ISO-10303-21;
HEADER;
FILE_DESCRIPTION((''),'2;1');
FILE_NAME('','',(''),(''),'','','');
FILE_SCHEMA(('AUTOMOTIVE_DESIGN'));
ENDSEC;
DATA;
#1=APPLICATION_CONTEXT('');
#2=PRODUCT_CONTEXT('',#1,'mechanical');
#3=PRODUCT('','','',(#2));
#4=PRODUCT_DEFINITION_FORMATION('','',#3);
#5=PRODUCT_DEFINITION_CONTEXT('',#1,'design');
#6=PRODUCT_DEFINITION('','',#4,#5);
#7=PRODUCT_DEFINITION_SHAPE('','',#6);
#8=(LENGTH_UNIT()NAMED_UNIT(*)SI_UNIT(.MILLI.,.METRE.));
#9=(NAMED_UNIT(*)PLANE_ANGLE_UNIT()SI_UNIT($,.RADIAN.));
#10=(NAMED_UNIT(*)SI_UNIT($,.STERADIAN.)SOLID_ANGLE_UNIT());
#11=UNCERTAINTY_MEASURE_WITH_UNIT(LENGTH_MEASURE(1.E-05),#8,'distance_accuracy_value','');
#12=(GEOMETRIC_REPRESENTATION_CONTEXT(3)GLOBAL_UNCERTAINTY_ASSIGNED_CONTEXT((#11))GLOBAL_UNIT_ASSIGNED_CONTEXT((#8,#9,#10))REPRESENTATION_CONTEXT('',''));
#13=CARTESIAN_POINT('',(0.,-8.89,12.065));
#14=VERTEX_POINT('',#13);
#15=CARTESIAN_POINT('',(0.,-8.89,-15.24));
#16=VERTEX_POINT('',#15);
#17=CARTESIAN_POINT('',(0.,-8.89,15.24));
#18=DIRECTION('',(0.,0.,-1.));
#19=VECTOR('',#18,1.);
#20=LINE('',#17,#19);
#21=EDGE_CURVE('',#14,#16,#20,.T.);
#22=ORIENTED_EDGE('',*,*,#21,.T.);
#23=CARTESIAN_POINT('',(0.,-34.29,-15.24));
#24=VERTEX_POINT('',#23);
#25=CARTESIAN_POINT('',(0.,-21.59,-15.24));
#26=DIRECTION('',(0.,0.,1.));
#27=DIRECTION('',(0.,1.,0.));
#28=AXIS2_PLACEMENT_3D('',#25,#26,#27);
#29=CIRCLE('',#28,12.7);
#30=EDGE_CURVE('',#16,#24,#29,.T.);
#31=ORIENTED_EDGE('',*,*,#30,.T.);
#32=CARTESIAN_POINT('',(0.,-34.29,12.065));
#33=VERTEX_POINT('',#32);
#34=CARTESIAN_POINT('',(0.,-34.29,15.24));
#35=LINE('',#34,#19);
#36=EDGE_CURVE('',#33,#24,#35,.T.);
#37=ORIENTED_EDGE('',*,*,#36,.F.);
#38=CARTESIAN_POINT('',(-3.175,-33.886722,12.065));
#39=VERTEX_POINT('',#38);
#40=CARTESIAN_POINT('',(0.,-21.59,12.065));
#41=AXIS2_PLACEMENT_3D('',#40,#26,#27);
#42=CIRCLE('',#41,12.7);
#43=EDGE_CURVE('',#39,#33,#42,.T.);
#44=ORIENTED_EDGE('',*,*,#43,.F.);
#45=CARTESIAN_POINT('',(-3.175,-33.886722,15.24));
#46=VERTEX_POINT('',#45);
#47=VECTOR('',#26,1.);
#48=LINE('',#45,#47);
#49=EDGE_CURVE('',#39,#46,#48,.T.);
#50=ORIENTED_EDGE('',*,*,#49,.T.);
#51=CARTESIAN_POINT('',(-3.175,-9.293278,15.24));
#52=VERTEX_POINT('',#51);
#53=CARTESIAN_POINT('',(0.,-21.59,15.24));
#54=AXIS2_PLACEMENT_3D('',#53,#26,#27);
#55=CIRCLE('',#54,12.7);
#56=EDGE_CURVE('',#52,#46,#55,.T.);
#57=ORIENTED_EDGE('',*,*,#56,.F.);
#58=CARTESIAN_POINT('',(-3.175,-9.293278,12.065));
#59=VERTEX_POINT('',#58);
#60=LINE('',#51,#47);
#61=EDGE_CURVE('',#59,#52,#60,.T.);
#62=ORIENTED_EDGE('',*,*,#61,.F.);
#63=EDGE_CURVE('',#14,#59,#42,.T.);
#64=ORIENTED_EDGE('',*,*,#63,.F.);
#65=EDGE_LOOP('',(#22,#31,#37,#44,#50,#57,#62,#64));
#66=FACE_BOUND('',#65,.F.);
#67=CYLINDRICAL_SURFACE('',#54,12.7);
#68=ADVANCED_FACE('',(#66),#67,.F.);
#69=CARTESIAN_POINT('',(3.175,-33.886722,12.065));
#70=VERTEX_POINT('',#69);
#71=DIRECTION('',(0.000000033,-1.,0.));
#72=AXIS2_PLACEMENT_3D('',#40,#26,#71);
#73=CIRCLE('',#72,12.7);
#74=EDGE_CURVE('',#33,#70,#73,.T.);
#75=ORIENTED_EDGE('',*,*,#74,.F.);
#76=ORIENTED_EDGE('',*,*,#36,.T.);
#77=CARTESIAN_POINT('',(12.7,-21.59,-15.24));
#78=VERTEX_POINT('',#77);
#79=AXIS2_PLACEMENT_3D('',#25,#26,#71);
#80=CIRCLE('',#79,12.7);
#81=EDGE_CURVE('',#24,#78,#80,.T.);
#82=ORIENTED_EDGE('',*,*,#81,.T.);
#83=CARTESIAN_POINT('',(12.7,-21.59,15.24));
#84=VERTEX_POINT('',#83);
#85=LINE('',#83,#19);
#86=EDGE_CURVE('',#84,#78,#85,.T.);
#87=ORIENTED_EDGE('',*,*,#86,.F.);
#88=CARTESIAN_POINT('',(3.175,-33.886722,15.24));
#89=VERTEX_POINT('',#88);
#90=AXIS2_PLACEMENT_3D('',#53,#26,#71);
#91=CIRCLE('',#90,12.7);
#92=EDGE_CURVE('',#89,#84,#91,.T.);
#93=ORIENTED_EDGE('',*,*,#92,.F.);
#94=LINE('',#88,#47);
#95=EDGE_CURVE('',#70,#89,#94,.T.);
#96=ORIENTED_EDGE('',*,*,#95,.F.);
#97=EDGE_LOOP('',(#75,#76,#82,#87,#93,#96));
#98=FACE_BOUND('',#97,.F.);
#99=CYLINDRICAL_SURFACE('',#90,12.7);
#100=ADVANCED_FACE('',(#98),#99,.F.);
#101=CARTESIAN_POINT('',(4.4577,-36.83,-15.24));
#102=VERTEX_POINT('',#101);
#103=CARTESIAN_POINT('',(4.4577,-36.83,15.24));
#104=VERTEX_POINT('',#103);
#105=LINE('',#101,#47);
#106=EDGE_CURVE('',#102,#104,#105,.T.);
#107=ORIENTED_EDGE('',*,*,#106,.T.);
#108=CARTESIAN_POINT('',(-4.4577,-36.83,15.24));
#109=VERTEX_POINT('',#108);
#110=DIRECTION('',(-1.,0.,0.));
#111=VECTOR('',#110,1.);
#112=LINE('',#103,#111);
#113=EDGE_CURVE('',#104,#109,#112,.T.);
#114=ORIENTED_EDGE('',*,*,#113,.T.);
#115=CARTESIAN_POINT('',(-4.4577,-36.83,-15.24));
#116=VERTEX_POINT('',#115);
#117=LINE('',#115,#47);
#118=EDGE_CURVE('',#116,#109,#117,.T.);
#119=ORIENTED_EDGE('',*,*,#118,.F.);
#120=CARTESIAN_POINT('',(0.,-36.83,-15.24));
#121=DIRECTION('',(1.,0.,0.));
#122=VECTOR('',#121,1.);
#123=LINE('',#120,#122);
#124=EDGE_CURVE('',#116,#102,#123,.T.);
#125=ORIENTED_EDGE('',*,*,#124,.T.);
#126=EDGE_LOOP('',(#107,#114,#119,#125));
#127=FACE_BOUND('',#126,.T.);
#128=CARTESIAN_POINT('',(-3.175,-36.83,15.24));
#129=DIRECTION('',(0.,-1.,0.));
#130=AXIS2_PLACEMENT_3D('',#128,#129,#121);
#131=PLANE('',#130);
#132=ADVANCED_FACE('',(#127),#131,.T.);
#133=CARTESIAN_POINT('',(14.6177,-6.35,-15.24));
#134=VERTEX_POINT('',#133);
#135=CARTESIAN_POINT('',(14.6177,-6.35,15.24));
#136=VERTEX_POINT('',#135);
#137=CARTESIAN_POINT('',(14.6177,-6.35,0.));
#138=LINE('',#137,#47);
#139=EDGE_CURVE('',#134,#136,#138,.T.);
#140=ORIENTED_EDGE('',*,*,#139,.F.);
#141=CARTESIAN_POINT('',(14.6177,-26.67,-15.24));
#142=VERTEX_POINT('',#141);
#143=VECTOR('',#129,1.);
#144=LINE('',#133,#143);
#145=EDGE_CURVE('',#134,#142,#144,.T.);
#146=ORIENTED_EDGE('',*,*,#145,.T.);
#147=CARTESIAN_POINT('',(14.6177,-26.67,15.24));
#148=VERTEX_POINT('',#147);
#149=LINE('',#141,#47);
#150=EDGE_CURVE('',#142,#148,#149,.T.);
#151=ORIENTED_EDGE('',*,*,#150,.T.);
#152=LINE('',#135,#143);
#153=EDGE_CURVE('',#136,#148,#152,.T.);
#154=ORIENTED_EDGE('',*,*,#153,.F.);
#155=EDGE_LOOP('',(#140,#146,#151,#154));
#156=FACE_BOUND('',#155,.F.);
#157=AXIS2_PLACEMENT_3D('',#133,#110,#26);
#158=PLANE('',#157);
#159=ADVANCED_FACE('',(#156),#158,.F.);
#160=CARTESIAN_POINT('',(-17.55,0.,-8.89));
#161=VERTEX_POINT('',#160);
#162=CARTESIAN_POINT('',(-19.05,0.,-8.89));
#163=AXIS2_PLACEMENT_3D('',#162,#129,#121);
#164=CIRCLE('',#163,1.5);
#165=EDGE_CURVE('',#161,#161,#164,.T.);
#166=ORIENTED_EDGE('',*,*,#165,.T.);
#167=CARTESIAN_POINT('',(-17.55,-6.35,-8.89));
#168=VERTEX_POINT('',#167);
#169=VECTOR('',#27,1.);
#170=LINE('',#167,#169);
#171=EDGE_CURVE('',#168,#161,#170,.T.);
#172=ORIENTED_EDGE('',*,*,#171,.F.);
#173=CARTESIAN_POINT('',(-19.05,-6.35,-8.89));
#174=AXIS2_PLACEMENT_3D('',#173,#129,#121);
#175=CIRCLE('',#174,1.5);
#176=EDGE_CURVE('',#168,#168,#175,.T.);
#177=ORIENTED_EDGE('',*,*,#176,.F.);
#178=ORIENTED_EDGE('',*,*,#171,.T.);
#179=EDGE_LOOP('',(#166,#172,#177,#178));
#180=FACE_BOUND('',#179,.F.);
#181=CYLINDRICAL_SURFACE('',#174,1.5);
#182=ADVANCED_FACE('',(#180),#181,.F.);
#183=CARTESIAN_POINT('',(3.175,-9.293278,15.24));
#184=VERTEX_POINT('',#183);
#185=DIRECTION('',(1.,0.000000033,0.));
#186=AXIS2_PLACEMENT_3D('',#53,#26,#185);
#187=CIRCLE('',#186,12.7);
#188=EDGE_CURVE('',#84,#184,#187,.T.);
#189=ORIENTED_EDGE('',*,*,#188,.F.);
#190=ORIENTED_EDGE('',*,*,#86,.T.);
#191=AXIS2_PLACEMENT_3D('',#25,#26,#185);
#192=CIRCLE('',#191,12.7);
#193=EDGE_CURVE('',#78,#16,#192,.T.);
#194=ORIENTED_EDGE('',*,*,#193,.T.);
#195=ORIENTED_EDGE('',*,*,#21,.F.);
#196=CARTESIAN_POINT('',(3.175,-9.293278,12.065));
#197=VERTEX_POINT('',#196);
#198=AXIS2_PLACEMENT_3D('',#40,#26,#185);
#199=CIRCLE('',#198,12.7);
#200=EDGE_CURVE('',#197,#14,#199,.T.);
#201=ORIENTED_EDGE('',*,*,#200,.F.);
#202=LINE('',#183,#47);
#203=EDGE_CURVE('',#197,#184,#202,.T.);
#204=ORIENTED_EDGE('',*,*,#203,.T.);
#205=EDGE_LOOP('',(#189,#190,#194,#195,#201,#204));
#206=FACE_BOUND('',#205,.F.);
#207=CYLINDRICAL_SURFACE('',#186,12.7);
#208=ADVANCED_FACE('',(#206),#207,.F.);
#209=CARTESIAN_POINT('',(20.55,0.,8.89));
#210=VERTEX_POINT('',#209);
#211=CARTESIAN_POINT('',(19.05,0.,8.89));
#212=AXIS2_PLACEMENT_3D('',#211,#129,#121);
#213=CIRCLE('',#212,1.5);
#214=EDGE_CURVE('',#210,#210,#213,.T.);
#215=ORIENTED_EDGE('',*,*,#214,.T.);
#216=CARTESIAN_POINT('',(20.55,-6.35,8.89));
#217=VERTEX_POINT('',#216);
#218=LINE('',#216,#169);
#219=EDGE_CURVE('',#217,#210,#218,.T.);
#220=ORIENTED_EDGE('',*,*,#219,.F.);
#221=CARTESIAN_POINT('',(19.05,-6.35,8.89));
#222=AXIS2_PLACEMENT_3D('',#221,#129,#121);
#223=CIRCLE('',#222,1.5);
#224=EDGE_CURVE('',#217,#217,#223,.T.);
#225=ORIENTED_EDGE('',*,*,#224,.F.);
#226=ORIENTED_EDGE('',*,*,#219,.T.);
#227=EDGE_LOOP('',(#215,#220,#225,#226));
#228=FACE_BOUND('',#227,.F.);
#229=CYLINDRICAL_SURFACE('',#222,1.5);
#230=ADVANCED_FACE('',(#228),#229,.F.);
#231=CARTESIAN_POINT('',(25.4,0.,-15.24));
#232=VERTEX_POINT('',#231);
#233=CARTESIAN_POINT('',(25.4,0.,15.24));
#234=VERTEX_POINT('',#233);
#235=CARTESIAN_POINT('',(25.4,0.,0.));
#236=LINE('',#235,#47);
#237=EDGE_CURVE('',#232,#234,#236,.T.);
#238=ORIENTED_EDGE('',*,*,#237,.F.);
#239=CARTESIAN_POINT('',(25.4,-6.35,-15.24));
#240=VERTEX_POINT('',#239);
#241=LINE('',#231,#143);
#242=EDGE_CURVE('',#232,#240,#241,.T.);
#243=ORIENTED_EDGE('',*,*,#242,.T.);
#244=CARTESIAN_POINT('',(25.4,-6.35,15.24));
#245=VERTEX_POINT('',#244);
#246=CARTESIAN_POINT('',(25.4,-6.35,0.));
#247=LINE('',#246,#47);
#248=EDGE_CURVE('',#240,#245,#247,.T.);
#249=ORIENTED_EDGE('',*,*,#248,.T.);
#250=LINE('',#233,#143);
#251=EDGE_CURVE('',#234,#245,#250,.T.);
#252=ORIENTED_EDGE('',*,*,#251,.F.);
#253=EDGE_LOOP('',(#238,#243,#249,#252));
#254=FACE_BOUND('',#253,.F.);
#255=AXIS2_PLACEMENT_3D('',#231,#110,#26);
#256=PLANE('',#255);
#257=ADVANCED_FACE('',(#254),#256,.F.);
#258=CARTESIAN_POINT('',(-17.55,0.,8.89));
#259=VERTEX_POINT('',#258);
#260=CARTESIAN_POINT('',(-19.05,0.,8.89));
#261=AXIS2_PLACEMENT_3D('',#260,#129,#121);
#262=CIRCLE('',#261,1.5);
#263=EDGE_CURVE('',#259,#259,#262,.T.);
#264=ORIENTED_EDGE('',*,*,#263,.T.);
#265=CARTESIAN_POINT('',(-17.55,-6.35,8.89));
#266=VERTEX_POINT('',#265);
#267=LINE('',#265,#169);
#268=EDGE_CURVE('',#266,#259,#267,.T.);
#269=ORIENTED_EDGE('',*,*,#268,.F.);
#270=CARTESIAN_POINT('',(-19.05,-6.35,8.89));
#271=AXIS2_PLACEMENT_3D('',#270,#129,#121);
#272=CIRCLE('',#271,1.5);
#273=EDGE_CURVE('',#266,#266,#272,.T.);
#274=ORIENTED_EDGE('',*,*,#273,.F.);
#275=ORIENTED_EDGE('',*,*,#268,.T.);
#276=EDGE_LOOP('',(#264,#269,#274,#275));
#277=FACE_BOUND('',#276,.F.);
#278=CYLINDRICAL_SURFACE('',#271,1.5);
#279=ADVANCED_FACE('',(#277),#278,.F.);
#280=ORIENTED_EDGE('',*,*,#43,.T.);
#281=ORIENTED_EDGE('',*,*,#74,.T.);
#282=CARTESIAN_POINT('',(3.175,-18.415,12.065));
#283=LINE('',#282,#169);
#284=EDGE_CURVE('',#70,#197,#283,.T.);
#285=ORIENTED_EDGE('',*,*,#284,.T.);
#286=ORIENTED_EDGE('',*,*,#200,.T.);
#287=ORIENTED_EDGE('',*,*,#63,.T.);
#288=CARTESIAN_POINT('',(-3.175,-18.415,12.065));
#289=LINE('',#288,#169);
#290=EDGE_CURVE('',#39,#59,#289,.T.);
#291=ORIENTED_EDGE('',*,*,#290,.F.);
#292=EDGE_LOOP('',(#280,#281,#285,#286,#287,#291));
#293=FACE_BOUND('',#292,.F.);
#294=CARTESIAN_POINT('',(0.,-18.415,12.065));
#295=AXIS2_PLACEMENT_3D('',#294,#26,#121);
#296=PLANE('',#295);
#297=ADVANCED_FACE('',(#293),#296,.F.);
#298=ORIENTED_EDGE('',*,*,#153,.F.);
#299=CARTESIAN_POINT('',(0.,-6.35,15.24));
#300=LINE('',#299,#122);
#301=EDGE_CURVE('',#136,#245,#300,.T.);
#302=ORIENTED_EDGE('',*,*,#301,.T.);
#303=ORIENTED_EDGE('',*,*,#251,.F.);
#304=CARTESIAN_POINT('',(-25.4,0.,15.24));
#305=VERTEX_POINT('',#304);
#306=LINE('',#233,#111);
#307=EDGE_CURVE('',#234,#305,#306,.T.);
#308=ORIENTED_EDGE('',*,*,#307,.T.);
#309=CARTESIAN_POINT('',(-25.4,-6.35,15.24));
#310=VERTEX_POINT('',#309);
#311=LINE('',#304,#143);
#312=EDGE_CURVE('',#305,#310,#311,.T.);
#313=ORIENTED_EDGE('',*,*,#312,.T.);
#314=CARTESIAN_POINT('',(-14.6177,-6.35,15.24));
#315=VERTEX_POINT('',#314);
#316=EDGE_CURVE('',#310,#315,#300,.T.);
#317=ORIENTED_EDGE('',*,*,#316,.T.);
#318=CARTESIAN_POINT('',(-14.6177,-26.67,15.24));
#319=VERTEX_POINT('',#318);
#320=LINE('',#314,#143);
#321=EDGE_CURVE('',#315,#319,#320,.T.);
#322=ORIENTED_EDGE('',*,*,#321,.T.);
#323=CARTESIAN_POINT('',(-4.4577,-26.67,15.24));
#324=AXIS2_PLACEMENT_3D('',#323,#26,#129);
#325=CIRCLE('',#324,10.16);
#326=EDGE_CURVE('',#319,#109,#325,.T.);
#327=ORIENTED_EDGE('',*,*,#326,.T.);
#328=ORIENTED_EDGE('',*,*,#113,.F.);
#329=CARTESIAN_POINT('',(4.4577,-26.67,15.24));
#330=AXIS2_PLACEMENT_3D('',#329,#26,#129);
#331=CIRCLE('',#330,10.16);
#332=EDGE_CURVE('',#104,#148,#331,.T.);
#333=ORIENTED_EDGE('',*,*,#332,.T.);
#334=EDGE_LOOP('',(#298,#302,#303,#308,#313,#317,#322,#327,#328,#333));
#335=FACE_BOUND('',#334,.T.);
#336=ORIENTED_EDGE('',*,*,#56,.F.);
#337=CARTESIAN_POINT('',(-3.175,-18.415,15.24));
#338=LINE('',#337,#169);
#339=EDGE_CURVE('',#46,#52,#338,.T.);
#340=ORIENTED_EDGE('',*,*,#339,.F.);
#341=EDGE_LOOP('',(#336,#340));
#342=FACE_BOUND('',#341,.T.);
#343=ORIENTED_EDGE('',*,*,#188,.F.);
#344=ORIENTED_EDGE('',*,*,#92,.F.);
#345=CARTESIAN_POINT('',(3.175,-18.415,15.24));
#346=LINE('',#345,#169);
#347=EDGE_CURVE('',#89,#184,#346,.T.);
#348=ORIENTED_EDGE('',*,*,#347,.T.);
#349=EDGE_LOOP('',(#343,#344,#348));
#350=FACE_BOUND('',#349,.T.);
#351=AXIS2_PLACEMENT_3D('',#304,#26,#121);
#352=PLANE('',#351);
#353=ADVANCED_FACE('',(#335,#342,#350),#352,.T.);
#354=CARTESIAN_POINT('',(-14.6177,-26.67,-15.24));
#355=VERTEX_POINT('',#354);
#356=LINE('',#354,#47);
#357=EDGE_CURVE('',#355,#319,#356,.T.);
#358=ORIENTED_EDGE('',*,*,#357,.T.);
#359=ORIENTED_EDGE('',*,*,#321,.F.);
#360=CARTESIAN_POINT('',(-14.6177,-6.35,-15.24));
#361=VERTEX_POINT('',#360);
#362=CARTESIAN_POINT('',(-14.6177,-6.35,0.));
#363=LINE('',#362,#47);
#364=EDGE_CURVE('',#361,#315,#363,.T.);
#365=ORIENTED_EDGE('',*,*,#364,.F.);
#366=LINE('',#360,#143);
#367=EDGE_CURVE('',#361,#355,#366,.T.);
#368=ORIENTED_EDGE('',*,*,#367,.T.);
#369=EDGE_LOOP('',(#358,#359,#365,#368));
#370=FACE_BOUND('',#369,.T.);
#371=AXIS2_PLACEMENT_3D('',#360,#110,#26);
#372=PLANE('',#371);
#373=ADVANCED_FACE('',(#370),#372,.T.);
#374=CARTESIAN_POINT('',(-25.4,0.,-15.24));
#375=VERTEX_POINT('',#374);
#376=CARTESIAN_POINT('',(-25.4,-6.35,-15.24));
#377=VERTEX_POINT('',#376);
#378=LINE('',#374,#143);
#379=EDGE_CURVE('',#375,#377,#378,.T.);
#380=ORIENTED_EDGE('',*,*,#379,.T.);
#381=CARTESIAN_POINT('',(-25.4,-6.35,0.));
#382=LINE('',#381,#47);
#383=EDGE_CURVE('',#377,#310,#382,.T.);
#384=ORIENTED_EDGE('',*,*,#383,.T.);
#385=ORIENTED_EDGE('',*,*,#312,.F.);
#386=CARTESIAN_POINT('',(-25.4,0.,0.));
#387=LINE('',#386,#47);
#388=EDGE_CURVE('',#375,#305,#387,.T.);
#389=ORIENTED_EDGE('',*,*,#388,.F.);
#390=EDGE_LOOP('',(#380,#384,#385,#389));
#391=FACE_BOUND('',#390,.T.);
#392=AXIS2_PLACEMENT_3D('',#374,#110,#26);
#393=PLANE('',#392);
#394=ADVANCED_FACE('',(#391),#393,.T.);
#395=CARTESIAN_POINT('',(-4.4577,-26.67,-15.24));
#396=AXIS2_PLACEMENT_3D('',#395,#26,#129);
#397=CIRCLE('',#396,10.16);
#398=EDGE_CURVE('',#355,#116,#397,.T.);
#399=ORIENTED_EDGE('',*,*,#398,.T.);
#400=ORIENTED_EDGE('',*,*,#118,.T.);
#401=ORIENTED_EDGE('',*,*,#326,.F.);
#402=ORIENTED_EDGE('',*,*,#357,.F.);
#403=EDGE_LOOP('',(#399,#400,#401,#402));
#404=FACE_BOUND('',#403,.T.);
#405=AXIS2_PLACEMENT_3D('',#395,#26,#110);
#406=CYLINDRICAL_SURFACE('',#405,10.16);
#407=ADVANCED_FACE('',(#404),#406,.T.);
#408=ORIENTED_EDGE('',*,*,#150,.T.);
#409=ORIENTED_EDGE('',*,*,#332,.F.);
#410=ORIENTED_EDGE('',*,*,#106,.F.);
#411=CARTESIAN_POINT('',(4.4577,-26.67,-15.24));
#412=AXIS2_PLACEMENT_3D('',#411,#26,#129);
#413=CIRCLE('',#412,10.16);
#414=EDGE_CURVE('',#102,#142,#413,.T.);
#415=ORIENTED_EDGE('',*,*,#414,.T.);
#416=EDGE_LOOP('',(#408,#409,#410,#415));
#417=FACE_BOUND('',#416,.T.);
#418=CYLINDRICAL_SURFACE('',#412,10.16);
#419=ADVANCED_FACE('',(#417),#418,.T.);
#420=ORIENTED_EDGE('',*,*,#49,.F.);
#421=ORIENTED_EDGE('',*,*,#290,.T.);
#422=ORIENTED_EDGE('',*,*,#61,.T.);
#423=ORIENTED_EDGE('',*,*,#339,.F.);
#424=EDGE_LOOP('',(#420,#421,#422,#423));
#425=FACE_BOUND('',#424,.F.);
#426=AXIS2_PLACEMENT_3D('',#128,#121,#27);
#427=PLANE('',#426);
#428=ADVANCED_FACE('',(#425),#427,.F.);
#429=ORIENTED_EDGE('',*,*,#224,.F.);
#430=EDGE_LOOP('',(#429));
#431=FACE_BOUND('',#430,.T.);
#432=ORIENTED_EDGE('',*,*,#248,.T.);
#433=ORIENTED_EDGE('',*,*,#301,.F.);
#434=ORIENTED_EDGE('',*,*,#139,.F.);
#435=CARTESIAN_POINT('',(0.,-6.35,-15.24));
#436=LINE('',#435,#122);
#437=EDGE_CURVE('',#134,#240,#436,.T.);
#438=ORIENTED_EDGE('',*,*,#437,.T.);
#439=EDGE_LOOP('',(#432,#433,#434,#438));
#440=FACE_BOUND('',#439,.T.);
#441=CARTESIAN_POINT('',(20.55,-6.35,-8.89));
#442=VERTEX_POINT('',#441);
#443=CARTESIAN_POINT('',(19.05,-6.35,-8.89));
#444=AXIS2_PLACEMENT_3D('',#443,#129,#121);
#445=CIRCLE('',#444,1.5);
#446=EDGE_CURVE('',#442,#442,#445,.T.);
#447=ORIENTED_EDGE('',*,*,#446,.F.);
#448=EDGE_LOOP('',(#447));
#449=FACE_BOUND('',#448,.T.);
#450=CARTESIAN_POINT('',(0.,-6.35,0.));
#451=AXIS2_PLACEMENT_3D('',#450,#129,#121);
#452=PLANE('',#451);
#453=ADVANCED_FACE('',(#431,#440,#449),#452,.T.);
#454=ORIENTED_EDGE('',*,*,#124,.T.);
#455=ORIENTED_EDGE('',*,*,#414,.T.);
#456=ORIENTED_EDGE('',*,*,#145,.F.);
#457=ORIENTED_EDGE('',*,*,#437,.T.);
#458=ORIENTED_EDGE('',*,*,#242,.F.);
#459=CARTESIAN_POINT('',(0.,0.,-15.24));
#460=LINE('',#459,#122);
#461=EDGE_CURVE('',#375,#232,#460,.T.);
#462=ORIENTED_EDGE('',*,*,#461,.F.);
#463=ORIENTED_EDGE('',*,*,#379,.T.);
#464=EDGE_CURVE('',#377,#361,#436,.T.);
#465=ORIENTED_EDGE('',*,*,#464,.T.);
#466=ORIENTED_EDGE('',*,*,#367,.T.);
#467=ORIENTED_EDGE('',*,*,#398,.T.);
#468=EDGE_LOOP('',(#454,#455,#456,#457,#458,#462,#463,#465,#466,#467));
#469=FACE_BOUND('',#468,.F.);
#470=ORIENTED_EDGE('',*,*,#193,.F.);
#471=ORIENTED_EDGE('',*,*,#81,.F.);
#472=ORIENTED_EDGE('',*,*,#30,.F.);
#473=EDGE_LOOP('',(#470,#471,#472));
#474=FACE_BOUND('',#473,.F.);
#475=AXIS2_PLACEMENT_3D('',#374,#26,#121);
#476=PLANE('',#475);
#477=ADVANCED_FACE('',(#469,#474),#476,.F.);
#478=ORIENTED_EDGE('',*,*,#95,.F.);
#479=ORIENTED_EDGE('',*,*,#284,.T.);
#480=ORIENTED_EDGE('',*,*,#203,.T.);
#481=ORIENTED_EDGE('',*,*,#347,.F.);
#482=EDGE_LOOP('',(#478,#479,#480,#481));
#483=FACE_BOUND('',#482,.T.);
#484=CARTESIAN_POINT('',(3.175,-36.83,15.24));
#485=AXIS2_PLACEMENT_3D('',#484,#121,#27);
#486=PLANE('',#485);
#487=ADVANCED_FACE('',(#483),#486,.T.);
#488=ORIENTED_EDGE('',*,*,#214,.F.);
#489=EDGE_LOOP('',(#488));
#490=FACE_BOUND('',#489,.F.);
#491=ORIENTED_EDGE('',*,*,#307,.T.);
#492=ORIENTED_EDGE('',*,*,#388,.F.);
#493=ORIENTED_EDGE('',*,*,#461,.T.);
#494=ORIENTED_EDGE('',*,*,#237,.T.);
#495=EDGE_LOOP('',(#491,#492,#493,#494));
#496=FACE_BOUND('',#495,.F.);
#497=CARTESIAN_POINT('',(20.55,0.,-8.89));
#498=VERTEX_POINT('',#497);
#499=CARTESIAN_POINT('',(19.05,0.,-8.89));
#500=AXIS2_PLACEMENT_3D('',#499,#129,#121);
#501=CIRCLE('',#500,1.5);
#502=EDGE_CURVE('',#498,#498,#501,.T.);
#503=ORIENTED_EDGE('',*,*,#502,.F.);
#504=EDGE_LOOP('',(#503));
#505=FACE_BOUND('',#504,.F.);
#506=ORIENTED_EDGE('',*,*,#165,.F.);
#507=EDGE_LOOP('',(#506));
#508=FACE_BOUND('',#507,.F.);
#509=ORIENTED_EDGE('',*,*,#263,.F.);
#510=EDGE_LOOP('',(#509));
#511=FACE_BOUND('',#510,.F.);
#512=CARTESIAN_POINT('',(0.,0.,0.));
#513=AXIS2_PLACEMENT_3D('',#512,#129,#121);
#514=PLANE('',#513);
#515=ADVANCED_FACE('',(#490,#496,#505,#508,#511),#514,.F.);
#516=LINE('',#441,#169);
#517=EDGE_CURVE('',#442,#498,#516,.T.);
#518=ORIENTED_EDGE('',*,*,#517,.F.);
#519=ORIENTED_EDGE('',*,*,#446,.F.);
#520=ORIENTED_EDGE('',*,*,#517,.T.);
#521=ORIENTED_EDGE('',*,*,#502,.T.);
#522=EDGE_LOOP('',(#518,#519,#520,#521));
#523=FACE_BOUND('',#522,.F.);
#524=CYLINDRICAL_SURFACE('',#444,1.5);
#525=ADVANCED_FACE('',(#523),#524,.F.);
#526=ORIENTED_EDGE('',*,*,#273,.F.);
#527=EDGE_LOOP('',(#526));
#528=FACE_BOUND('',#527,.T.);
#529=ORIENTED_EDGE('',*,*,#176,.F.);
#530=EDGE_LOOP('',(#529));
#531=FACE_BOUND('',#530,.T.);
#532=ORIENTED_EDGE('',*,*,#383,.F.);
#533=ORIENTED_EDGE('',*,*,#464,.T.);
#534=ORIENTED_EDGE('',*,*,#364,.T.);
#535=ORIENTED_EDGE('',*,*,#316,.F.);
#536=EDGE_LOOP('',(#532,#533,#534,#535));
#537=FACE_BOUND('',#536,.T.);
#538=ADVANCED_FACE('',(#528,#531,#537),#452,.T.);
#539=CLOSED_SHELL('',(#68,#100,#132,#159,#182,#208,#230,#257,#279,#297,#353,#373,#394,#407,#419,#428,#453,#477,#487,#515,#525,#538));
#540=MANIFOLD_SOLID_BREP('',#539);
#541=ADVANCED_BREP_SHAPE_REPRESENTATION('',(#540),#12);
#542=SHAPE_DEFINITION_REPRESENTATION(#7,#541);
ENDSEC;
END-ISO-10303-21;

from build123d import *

# Parameters (mm, degrees)
F0_W      = 50.8
F0_H      = 30.48
F1_DEPTH  = 6.35
F2_R      = 1.5
F3_DEPTH  = 6.35
F4_W      = 29.2354
F4_H      = 30.48
F5_DEPTH  = 30.48
F7_DEPTH  = 30.48
F8_R      = 10.16
F9_W      = 6.35
F9_H      = 36.83
F10_DEPTH = 3.175


with BuildPart() as f1:
    # F0 (on Front) → F1 (new body)
    with BuildSketch(Plane.XZ):
        Rectangle(F0_W, F0_H)
    extrude(amount=F1_DEPTH)

    # F2 (on face) → F3 (cut, through all)
    with BuildSketch(Plane.XZ.offset(6.35)):
        with Locations((-19.05, 8.89)):
            Circle(F2_R)
        with Locations((-19.05, -8.89)):
            Circle(F2_R)
        with Locations((19.05, 8.89)):
            Circle(F2_R)
        with Locations((19.05, -8.89)):
            Circle(F2_R)
    extrude(amount=-F3_DEPTH, mode=Mode.SUBTRACT)

    # F4 (on face) → F5 (join)
    with BuildSketch(Plane.XZ.offset(6.35)):
        Rectangle(F4_W, F4_H)
    extrude(amount=F5_DEPTH)

    # F6 (on face) → F7 (cut, through all)
    with BuildSketch(Plane.XY.offset(15.24)):
        with BuildLine():
            ThreePointArc((12.7, -21.59), (8.980256, -12.609744), (0, -8.89))
            Line((0, -8.89), (0, -34.29))
            ThreePointArc((0, -34.29), (8.980256, -30.570256), (12.7, -21.59))
        make_face()
        with BuildLine():
            Line((0, -34.29), (0, -8.89))
            ThreePointArc((0, -8.89), (-12.7, -21.59), (0, -34.29))
        make_face()
    extrude(amount=-F7_DEPTH, mode=Mode.SUBTRACT)

    # F8
    f8_edges = [f1.edges().sort_by_distance(p)[0] for p in [
        (-14.6177, -36.83, 0),
        (14.6177, -36.83, 0),
    ]]
    fillet(f8_edges, radius=F8_R)

    # F9 (on face) → F10 (join)
    with BuildSketch(Plane.XY.offset(15.24)):
        with Locations((0, -18.415)):
            Rectangle(F9_W, F9_H)
    extrude(amount=-F10_DEPTH)


solid = f1.part
